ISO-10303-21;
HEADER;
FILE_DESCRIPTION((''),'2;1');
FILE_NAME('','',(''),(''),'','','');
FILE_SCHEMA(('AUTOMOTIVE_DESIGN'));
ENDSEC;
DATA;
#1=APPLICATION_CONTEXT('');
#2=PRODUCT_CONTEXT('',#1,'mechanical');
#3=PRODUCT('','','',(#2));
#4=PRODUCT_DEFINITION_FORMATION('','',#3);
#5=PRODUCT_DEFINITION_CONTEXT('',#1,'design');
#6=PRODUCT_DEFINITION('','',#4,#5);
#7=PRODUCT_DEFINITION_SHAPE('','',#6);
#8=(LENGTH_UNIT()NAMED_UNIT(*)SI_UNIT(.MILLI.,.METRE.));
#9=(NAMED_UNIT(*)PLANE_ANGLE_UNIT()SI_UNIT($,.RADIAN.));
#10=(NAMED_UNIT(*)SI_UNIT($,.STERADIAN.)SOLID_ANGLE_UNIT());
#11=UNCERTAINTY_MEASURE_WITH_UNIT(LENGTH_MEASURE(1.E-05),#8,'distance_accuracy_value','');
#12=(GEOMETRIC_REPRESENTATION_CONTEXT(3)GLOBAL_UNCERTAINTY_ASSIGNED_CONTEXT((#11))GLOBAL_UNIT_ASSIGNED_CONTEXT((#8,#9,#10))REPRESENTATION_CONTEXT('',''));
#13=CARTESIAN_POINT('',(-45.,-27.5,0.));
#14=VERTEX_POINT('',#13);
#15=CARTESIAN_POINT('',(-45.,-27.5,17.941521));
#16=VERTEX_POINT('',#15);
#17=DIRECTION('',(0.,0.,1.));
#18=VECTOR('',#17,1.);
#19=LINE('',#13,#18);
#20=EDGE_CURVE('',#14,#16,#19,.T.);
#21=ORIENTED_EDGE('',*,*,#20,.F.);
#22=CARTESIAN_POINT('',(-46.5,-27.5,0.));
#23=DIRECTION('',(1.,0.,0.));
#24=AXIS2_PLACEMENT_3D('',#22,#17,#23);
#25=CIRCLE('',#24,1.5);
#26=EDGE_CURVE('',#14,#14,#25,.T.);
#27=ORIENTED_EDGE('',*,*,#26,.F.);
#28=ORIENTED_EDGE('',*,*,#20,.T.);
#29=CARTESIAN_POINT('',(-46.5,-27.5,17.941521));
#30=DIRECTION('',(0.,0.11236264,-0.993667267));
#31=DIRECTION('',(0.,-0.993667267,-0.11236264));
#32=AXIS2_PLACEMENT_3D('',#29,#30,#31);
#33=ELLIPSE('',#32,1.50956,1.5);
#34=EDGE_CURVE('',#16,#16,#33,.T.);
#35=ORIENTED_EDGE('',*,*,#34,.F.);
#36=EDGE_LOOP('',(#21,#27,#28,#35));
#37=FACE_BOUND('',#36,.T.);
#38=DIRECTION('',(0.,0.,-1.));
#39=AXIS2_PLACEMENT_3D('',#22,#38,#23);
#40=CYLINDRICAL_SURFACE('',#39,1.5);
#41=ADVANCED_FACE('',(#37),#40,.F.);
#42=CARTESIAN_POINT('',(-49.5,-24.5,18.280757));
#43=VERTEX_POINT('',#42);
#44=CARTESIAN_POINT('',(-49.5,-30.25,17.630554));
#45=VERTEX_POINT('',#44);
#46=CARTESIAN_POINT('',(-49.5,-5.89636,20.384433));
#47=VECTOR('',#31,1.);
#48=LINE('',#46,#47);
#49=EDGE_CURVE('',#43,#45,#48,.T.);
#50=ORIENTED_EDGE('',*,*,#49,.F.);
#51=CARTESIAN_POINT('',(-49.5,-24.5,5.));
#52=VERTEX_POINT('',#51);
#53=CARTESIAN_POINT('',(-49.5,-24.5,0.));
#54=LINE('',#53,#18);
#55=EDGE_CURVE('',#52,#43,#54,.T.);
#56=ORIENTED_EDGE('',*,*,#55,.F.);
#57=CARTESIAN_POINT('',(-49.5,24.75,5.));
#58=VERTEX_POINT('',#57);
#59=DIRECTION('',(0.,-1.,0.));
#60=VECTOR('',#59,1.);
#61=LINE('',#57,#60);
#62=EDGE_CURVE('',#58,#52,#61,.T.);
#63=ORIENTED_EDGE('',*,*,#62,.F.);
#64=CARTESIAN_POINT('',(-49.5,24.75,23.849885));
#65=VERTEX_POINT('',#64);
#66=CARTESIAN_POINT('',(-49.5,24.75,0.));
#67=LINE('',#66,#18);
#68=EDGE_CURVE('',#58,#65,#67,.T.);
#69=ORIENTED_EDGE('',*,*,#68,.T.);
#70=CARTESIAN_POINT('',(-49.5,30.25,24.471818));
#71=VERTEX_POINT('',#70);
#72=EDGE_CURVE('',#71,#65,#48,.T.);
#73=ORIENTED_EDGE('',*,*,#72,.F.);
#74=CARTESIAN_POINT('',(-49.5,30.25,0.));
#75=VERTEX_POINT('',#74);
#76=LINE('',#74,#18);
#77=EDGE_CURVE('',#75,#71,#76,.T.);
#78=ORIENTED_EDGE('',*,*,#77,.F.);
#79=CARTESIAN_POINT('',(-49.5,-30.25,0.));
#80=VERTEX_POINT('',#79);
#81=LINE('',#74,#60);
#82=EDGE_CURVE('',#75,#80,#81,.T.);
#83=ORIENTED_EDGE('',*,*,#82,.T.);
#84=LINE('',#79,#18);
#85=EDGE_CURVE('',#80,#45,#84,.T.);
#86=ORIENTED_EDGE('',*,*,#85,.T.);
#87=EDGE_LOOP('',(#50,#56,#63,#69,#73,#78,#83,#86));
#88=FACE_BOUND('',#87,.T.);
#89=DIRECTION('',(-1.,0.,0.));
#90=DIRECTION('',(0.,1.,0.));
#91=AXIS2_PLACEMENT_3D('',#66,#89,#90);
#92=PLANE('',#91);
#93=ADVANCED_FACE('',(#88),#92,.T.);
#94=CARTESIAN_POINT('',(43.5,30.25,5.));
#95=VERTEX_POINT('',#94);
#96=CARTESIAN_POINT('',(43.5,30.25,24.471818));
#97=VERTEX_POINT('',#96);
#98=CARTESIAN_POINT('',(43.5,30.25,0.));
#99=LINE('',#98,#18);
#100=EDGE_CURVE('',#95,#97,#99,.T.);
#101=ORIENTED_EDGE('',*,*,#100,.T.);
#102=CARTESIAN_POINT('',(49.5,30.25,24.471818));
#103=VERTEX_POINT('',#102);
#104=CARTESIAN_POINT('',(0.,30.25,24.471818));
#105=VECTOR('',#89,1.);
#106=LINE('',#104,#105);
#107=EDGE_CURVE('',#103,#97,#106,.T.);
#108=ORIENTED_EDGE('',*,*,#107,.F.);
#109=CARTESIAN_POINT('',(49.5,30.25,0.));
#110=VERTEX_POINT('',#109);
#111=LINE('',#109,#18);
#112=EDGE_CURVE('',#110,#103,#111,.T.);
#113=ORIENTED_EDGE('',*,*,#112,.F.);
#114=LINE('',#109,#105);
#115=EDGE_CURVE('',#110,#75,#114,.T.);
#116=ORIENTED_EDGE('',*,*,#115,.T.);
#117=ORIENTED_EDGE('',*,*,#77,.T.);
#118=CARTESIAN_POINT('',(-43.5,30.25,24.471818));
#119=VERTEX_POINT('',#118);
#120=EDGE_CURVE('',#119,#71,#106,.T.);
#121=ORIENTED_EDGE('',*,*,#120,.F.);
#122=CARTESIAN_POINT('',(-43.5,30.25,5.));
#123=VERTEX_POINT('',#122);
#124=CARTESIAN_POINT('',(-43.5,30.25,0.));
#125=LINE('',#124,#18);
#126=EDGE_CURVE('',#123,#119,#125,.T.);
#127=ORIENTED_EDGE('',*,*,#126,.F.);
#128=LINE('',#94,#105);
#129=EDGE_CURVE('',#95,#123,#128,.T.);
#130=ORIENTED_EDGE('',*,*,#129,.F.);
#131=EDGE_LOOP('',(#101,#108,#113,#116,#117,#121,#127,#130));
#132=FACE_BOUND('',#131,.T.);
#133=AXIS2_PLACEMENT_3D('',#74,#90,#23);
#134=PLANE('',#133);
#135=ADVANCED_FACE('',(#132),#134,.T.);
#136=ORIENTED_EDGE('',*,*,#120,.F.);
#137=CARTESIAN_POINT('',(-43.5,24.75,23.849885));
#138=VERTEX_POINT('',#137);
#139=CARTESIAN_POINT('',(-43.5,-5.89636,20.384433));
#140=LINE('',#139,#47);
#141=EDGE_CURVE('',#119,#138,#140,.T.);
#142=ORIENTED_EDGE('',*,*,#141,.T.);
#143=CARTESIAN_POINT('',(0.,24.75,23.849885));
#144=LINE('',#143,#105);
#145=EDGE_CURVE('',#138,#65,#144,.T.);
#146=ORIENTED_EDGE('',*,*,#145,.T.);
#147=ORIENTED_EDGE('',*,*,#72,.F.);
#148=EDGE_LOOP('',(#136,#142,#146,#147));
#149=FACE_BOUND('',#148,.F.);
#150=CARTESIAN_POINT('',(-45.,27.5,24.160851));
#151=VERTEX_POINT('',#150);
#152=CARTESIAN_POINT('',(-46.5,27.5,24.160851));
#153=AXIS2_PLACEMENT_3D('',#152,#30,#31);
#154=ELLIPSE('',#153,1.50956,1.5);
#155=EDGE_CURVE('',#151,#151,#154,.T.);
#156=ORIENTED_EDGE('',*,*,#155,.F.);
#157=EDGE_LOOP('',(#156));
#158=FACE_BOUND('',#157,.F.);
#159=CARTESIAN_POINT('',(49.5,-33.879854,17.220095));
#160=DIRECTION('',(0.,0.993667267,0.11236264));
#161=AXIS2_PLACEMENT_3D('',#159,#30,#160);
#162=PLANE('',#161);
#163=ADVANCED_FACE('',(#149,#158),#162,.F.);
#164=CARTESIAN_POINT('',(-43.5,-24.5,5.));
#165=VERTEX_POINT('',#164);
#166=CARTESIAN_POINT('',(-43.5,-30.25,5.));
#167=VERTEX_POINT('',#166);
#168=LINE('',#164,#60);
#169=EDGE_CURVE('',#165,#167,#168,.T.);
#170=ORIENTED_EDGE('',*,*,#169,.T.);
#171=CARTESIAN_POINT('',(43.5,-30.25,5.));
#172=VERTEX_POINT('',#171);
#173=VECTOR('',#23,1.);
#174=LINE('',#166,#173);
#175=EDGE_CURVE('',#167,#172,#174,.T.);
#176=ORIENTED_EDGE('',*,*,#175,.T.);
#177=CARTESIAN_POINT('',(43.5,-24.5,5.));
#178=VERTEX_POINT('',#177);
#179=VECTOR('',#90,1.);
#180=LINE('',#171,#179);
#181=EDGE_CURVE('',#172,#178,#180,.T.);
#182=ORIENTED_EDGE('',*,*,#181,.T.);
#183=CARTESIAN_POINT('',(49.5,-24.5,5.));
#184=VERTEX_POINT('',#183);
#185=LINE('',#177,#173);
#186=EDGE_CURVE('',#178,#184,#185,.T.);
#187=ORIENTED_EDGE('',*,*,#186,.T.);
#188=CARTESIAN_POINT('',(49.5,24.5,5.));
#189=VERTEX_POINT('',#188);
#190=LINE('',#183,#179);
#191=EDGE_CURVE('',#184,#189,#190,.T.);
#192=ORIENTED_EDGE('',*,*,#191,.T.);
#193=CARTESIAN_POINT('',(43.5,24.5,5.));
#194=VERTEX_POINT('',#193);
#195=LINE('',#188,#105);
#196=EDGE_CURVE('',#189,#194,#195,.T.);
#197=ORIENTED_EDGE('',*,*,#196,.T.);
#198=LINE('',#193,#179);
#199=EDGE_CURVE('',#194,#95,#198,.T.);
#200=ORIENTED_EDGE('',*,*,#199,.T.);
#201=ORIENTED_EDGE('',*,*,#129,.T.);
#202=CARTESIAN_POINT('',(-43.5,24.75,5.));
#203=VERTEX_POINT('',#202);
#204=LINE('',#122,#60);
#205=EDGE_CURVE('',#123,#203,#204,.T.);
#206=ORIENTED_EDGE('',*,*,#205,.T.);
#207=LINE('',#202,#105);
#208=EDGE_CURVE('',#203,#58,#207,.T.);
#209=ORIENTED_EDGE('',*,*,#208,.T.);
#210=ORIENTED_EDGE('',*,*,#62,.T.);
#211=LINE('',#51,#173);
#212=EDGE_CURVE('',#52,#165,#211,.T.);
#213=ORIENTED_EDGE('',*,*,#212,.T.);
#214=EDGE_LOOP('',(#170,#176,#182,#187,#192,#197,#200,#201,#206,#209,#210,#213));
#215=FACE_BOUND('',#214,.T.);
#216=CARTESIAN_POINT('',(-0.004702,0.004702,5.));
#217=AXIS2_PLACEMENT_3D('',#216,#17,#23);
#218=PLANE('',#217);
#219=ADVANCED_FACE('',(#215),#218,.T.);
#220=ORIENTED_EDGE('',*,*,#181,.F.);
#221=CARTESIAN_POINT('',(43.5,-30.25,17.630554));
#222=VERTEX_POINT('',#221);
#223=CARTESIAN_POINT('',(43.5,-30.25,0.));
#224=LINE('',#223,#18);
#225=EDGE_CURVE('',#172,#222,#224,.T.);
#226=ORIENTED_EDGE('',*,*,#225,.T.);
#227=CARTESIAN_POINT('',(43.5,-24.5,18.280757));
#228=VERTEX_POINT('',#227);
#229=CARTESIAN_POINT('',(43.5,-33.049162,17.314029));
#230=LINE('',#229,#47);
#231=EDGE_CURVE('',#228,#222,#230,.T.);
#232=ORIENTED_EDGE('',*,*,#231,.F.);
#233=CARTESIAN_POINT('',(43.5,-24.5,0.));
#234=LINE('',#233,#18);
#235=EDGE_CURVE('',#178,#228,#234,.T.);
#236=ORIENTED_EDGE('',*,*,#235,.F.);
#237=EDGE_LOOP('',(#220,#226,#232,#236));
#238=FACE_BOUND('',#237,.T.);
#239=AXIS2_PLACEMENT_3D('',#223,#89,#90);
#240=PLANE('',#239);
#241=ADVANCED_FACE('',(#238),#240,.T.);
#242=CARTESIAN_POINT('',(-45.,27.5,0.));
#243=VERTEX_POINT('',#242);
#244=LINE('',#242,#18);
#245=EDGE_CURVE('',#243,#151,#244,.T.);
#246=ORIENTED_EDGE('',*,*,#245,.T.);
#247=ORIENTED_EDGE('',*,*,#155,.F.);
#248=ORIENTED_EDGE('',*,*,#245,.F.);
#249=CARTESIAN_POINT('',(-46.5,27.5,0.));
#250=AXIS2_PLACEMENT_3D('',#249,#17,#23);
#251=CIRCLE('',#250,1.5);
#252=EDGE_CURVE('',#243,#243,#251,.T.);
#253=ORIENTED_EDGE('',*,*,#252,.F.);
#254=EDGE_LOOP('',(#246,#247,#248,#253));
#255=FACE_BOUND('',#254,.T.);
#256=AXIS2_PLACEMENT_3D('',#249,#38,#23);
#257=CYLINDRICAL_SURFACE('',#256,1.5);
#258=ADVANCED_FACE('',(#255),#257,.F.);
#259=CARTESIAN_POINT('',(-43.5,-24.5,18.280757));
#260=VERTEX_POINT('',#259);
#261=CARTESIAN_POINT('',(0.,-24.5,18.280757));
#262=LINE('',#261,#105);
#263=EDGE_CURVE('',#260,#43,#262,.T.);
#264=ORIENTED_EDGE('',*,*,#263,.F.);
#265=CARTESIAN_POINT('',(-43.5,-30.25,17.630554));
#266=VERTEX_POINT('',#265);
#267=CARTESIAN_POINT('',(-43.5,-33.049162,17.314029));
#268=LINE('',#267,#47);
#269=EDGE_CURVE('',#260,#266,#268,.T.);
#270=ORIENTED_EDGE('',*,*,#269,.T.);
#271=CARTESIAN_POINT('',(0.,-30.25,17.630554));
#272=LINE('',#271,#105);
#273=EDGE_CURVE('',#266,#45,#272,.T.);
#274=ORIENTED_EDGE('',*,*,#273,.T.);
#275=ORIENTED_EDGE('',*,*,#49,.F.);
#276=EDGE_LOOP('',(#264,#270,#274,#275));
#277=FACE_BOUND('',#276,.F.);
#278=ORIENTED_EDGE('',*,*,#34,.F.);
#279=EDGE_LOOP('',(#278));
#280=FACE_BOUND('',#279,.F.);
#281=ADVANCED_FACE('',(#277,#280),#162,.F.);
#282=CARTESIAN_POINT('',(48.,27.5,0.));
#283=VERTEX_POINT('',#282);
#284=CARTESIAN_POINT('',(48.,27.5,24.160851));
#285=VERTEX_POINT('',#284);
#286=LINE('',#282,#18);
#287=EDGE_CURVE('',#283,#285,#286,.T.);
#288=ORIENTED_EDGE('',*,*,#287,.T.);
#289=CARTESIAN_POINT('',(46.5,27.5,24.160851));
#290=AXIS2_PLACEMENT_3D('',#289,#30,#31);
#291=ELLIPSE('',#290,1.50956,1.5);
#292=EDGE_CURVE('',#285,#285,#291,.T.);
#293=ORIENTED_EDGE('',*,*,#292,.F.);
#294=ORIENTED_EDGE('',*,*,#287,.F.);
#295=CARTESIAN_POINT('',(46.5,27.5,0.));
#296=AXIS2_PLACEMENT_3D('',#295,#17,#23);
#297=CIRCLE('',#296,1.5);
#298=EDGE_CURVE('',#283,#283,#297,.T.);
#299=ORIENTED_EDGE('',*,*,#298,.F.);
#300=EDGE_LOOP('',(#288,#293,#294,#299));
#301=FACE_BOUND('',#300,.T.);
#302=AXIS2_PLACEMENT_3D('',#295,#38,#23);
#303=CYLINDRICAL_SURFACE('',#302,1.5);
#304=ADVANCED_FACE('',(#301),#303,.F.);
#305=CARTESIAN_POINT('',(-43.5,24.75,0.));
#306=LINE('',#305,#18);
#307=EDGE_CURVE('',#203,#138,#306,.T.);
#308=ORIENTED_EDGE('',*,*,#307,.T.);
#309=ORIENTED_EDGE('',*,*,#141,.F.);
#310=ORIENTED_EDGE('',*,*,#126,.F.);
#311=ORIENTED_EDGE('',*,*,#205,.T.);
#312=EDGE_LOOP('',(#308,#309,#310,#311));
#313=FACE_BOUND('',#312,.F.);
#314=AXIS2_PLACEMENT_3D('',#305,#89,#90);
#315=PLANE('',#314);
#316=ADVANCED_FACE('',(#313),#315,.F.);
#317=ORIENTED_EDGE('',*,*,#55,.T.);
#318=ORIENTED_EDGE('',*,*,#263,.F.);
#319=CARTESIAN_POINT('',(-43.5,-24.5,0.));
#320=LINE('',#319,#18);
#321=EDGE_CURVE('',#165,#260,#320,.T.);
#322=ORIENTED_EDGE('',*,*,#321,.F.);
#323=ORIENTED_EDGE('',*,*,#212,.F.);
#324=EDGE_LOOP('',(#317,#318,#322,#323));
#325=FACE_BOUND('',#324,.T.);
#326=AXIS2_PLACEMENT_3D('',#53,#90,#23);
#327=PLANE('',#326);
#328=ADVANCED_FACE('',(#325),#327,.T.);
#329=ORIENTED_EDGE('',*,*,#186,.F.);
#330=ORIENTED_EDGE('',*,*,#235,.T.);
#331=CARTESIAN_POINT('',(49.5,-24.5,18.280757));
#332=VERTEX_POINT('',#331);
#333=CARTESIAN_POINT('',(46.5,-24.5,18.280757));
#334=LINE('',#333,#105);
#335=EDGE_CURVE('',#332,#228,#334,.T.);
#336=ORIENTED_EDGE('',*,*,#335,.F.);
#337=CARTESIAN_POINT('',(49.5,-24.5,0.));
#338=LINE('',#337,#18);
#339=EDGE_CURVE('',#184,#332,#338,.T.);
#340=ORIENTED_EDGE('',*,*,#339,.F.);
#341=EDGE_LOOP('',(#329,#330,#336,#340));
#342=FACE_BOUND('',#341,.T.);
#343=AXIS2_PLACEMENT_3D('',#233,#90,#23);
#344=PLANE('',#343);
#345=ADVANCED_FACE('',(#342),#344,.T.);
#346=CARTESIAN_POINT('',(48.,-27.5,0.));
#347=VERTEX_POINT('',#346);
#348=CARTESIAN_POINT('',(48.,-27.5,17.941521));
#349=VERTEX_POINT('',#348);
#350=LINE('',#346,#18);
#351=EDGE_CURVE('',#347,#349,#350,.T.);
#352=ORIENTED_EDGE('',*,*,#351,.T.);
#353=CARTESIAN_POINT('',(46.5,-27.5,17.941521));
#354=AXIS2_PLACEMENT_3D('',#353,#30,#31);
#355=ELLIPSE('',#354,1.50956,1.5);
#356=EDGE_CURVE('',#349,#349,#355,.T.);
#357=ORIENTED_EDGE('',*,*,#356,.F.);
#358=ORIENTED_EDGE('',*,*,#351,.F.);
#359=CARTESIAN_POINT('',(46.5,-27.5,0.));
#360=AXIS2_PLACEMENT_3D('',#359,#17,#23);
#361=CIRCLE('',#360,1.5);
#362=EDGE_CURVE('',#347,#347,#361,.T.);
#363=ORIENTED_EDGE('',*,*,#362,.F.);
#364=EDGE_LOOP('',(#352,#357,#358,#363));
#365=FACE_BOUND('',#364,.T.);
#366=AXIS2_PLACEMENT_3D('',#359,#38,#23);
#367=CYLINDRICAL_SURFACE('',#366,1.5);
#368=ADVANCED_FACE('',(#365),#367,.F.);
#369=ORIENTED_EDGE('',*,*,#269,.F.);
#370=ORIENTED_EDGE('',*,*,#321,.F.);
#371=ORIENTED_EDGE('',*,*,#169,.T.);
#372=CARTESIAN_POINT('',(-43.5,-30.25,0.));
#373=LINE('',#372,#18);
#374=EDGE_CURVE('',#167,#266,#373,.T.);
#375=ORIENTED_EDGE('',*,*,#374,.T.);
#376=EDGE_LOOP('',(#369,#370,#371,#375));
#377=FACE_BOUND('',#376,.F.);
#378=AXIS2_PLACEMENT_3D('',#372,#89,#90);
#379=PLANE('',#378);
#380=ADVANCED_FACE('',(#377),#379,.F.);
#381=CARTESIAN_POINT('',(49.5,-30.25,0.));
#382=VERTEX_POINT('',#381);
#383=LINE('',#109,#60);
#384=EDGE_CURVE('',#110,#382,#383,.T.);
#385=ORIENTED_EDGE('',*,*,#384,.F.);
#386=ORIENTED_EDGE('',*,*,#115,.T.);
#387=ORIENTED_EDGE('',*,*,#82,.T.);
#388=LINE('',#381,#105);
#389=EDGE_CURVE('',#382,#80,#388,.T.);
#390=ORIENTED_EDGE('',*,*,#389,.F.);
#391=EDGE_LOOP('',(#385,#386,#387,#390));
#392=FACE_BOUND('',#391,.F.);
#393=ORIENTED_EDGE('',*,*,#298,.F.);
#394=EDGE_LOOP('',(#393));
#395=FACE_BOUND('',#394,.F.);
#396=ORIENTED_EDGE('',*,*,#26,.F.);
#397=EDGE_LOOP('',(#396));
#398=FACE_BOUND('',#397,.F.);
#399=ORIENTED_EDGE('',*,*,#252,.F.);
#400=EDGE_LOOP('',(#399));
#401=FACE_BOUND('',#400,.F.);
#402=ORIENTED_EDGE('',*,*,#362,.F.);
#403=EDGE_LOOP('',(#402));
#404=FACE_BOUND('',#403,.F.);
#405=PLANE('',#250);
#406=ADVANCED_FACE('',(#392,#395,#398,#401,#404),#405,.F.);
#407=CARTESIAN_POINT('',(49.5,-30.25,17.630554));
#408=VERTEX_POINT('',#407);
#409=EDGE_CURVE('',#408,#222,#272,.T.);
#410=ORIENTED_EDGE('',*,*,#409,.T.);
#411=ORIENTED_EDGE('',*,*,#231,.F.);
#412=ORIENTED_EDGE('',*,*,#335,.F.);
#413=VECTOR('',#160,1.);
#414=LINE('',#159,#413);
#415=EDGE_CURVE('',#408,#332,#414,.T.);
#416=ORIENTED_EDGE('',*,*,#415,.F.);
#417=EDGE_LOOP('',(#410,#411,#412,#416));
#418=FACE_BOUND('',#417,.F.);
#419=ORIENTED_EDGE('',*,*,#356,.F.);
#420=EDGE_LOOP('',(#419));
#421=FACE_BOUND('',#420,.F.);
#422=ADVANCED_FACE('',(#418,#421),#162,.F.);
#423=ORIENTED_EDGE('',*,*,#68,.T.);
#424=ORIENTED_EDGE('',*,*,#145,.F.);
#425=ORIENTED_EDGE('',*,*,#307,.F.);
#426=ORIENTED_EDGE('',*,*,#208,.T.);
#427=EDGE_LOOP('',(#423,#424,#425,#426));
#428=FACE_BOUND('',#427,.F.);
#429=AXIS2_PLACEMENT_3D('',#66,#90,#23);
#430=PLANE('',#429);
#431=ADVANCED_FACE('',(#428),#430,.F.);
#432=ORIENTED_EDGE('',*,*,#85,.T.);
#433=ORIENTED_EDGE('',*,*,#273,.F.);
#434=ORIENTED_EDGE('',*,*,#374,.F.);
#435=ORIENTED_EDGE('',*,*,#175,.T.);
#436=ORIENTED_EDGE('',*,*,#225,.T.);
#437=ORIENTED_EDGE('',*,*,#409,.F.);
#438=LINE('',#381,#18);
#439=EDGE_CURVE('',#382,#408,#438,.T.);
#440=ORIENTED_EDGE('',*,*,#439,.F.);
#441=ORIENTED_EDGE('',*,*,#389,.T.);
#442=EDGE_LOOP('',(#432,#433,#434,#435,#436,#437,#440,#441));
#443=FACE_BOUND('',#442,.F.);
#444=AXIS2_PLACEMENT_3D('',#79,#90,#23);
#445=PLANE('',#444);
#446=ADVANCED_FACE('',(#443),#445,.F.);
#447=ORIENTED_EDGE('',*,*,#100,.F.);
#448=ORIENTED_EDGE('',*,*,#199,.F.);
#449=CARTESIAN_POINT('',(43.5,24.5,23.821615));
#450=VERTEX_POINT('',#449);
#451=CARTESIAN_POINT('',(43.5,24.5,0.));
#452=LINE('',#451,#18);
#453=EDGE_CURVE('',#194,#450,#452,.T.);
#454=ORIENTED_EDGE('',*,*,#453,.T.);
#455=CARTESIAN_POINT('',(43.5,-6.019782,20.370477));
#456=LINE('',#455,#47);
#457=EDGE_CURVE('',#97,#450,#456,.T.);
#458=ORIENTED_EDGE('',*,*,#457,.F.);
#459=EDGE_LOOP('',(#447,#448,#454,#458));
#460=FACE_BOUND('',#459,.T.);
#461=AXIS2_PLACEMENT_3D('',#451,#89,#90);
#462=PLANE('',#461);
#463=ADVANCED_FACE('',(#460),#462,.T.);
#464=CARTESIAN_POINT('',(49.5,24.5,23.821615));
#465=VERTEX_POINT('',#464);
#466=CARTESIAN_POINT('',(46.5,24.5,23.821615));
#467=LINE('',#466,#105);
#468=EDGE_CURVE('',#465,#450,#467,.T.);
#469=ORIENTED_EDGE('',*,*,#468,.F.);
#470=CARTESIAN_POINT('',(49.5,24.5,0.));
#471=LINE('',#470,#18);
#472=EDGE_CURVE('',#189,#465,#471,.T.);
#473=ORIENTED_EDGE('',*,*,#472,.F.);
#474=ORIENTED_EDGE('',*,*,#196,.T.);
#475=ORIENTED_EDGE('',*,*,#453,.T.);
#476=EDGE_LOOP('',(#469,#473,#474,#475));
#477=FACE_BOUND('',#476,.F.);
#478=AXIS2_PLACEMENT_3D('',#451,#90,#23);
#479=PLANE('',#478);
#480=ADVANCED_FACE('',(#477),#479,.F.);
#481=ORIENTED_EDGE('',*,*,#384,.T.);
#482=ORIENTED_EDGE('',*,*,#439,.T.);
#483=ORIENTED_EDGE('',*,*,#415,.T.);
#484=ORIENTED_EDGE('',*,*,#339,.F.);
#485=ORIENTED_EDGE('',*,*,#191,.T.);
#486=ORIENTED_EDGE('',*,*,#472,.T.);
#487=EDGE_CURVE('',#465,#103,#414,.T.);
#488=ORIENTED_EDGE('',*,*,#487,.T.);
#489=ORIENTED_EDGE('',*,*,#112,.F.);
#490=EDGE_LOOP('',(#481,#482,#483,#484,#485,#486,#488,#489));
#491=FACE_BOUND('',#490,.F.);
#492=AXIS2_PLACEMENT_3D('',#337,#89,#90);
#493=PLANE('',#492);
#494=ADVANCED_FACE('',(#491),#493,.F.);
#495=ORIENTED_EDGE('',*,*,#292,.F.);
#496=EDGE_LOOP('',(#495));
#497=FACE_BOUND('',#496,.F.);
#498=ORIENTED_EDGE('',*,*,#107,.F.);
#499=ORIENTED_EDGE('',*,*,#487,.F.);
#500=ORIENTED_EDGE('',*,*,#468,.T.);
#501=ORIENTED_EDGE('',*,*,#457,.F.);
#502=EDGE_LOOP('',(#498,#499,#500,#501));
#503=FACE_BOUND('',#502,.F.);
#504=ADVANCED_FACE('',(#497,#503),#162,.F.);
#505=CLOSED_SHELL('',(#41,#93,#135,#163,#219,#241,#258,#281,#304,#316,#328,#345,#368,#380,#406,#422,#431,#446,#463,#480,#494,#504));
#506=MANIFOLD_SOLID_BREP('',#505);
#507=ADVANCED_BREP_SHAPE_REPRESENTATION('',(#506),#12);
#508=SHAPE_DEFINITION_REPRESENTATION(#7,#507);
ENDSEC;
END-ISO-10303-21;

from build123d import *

# Parameters (mm, degrees)
F1_DEPTH = 5
F0_W     = 6
F0_H     = 5.5
F0_R     = 1.5
F0_H_2   = 5.75
F2_DEPTH = 25
F4_DEPTH = 105


with BuildPart() as f1:
    # F0 (on Top) → F1 (new body)
    with BuildSketch(Plane.XY):
        Polygon((43.5, 30.25), (-43.5, 30.25), (-43.5, 24.75), (-49.5, 24.75), (-49.5, -24.5), (-43.5, -24.5), (-43.5, -30.25), (43.5, -30.25), (43.5, -24.5), (49.5, -24.5), (49.5, 24.5), (43.5, 24.5), align=None)
    extrude(amount=F1_DEPTH)

    # F0 (on Top) → F2 (join)
    with BuildSketch(Plane.XY):
        with Locations((-46.5, 27.5)):
            Rectangle(F0_W, F0_H)
        with Locations((-46.5, 27.5)):
            Circle(F0_R, mode=Mode.SUBTRACT)
        with Locations((-46.5, -27.375)):
            Rectangle(F0_W, F0_H_2)
        with Locations((-46.5, -27.5)):
            Circle(F0_R, mode=Mode.SUBTRACT)
        with Locations((46.5, -27.375)):
            Rectangle(F0_W, F0_H_2)
        with Locations((46.5, -27.5)):
            Circle(F0_R, mode=Mode.SUBTRACT)
        with Locations((46.5, 27.375)):
            Rectangle(F0_W, F0_H_2)
        with Locations((46.5, 27.5)):
            Circle(F0_R, mode=Mode.SUBTRACT)
    extrude(amount=F2_DEPTH)

    # F3 (on face) → F4 (cut)
    with BuildSketch(Plane.YZ.offset(49.5)):
        Polygon((34.920923, 25), (34.537785, 31.615168), (-33.879854, 31.615168), (-33.879854, 17.220095), align=None)
    extrude(amount=-F4_DEPTH, mode=Mode.SUBTRACT)


solid = f1.part
